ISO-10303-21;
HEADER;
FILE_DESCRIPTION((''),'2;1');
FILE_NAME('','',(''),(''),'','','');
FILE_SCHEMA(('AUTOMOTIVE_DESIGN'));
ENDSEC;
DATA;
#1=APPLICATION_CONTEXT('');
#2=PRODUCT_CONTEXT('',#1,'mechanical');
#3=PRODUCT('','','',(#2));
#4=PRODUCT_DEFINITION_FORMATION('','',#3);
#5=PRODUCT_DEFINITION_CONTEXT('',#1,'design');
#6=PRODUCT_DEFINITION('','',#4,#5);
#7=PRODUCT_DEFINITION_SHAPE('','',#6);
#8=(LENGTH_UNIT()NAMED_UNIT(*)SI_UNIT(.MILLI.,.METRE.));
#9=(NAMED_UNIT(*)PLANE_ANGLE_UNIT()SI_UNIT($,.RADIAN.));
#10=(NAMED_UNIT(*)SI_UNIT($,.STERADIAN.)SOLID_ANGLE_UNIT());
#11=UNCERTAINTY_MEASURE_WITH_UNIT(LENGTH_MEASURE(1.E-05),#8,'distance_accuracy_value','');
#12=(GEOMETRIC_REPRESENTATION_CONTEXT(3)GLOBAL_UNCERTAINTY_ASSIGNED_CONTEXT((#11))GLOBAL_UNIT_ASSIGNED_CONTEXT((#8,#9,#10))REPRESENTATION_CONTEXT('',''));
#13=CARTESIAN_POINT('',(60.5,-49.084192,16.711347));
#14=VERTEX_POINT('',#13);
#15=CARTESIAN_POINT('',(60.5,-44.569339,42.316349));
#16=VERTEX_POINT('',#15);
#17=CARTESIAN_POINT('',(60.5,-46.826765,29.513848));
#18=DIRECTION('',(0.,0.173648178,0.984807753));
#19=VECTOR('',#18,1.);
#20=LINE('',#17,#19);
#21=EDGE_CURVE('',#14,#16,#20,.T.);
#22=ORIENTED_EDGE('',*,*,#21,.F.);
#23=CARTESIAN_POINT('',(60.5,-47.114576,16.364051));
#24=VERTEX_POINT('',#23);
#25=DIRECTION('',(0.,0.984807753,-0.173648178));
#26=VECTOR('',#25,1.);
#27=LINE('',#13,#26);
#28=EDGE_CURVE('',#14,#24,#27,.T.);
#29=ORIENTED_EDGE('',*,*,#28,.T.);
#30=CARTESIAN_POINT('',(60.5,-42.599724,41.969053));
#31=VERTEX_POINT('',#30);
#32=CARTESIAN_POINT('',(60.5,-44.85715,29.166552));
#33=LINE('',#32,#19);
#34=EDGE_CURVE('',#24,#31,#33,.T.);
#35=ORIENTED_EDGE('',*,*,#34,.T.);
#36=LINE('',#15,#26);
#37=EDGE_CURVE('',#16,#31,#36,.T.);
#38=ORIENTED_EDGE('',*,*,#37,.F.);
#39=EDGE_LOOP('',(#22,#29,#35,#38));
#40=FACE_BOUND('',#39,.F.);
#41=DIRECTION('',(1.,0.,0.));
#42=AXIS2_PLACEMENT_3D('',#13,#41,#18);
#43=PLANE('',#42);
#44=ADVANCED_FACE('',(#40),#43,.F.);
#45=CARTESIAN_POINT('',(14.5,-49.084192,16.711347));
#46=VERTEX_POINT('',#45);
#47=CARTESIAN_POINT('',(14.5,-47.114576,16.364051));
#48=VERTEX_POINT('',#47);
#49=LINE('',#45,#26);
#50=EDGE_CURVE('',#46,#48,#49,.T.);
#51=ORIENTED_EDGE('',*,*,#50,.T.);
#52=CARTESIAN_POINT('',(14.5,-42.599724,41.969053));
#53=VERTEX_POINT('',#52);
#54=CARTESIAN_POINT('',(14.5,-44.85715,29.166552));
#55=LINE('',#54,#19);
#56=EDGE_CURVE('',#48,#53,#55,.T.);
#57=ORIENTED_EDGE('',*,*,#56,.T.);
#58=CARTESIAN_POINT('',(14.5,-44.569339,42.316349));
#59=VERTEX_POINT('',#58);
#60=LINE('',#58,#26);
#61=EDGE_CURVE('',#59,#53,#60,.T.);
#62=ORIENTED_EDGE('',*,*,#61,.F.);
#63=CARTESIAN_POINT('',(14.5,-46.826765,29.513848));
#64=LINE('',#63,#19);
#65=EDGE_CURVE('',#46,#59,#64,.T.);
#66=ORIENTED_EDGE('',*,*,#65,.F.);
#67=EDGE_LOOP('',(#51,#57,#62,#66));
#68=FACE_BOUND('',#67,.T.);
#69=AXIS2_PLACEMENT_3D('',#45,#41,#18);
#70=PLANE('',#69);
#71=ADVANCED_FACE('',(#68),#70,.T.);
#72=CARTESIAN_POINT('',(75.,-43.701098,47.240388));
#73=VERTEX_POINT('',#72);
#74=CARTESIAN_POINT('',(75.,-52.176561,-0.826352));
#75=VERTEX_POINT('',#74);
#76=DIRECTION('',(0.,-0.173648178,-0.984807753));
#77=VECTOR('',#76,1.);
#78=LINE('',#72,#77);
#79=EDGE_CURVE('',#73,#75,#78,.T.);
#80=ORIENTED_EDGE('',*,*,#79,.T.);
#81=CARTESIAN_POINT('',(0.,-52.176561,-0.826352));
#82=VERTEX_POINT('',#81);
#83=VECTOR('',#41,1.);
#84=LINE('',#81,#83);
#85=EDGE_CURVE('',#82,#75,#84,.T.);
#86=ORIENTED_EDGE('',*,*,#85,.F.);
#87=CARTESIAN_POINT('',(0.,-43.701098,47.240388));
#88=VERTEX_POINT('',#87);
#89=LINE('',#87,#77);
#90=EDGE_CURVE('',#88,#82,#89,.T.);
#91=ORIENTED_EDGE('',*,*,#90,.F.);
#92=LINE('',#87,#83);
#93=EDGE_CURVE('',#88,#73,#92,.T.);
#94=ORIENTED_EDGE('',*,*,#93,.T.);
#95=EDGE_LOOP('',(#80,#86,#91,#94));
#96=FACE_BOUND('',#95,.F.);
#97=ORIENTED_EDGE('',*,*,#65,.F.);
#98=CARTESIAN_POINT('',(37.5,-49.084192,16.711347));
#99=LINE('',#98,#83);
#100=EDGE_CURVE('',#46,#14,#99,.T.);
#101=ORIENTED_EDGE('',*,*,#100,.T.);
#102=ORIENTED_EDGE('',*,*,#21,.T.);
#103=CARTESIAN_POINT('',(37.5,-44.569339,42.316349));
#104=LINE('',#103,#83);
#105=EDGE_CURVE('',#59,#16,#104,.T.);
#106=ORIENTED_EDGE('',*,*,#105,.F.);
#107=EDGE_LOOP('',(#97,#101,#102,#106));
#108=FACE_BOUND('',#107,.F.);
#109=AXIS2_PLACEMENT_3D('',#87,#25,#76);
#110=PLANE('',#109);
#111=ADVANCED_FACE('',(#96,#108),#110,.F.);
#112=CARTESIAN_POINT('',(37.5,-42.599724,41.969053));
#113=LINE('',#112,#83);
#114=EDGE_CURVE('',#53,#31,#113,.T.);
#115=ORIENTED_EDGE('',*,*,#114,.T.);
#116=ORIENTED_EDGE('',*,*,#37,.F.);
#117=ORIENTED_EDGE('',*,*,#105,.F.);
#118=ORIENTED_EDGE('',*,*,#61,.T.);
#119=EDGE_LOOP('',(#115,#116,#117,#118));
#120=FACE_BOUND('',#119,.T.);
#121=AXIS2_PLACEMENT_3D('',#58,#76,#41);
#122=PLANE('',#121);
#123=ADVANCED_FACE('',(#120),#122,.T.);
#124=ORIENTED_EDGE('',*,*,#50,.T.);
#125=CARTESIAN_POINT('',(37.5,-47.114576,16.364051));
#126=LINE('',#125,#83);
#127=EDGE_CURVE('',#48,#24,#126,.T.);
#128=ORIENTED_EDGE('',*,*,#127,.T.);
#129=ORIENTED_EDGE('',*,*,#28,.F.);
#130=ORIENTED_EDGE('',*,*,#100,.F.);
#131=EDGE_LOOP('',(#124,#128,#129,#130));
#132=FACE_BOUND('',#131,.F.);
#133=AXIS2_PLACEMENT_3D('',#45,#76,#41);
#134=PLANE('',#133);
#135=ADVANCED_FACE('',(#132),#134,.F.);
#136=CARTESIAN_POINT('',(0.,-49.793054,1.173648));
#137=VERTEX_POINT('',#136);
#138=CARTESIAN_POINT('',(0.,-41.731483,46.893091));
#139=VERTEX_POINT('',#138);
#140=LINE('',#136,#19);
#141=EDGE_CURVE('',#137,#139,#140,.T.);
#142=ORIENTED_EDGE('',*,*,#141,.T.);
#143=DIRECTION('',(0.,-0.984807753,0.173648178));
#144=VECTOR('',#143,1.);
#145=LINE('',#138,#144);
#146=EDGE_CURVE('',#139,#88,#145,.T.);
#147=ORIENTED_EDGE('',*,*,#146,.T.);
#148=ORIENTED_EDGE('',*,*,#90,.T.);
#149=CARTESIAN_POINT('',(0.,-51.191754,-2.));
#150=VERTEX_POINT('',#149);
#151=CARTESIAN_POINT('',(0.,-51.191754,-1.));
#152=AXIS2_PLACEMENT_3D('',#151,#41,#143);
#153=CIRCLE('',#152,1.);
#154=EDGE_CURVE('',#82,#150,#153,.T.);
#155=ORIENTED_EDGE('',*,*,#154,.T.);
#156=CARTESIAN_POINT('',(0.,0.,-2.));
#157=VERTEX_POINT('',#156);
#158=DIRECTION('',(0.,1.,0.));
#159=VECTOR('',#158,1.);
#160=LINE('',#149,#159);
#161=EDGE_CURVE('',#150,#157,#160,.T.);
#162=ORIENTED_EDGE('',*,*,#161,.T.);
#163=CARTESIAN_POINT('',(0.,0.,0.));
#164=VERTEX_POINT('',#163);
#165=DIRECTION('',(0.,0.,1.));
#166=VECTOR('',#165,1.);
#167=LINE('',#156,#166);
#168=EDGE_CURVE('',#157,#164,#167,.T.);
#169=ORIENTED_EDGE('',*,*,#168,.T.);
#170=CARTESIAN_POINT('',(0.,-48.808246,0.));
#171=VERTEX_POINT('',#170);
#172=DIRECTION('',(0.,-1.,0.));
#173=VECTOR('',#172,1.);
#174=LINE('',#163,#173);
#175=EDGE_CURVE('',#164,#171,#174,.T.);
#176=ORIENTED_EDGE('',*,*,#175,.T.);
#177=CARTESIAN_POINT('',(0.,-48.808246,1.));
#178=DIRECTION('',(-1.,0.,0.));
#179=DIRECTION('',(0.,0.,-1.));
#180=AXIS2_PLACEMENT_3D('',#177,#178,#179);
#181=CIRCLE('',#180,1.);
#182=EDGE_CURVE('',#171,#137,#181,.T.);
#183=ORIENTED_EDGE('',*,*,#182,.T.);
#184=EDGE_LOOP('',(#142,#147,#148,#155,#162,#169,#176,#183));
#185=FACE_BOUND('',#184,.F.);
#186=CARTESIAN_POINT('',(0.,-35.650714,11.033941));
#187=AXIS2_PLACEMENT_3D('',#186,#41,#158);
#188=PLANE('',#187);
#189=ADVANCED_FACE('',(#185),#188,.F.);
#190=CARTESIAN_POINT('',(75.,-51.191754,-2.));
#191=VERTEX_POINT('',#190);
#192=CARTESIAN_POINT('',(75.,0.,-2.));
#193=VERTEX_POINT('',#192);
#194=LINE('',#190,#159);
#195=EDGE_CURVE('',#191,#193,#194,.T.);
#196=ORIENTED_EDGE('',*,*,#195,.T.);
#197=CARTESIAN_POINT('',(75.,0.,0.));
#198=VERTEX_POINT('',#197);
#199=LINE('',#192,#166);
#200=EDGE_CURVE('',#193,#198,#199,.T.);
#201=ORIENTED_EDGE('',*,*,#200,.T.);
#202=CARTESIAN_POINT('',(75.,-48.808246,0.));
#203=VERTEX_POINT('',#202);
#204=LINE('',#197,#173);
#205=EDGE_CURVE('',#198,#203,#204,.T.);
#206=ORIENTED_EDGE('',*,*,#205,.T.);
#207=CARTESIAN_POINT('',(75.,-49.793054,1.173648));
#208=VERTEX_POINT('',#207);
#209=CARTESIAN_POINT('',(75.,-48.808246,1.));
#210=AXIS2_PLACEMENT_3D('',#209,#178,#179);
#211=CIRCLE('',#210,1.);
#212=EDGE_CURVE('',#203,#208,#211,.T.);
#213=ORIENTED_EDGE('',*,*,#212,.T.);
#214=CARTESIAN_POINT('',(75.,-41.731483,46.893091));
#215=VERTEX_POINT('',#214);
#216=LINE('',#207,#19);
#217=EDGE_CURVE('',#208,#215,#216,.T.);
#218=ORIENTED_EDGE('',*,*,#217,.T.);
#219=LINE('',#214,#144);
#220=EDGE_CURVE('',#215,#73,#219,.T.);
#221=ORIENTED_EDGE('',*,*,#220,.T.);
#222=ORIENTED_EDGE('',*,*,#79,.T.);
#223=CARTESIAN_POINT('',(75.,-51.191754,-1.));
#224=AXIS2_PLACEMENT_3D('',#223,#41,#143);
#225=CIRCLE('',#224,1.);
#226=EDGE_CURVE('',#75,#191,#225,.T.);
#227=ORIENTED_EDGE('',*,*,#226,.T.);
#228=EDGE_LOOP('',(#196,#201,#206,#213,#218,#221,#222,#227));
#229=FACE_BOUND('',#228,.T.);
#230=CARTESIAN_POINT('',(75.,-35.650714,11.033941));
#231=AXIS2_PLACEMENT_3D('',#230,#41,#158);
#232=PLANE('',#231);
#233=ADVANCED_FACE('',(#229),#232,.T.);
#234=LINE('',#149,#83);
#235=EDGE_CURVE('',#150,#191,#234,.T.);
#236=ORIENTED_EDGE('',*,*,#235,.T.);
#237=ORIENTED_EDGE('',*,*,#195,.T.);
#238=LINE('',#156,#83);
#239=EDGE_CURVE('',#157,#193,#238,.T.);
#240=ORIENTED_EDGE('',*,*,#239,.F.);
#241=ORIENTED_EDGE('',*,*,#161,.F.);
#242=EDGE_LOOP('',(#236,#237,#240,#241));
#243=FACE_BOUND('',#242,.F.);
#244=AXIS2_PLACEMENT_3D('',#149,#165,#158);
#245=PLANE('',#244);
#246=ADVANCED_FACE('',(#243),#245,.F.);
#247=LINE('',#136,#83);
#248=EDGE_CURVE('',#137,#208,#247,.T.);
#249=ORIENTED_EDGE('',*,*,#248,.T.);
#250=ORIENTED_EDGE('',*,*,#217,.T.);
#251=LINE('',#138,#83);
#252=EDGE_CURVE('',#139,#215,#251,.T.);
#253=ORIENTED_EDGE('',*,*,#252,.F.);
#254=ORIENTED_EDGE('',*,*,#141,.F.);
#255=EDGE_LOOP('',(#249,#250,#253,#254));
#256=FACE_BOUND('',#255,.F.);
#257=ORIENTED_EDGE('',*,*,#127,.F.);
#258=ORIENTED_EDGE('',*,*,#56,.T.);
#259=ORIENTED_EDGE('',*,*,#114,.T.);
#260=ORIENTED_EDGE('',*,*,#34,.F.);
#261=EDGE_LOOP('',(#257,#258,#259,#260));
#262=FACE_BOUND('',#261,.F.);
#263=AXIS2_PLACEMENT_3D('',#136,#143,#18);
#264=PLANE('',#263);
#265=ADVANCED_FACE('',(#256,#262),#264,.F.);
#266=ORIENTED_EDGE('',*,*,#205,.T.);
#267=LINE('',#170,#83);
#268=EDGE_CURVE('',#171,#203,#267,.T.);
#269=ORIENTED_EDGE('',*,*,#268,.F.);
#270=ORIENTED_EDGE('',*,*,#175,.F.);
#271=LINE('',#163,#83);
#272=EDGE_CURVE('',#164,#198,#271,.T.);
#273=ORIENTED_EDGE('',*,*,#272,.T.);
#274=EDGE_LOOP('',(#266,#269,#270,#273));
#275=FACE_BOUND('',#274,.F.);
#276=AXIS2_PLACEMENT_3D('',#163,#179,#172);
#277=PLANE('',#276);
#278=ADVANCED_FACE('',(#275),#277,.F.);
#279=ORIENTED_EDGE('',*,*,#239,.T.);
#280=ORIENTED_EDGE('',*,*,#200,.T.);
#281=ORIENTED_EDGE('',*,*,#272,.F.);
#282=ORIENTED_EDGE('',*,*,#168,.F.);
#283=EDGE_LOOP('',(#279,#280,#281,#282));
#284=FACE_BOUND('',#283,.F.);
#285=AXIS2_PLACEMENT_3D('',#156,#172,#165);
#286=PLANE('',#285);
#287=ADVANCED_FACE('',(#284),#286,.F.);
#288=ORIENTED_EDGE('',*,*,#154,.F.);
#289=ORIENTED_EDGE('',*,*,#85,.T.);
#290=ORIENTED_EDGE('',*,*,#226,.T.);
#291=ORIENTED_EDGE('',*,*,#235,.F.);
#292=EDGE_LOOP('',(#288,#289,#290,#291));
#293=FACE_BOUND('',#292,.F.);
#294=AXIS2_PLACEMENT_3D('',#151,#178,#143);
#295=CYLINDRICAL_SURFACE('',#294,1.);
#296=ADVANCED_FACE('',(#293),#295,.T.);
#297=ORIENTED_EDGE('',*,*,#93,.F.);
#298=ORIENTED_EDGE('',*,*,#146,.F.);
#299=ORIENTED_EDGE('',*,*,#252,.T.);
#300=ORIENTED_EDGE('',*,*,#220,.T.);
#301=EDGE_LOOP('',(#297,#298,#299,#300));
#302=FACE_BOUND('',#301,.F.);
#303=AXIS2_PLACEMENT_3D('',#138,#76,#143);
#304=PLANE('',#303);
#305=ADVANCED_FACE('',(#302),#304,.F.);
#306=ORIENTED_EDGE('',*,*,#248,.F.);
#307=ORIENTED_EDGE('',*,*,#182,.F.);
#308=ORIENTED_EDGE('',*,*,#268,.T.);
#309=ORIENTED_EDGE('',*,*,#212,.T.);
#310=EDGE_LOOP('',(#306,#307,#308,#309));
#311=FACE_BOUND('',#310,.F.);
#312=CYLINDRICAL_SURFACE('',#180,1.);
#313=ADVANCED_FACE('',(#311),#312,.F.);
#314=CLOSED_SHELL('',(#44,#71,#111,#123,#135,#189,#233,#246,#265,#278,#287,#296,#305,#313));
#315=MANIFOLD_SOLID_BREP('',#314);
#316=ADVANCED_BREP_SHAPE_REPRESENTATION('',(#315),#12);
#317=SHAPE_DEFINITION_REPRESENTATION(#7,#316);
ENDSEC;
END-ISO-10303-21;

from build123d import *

# Parameters (mm, degrees)
F1_DEPTH = 75
F2_W     = 46
F2_H     = 26
F3_DEPTH = 2


with BuildPart() as f1:
    # F0 (on Right) → F1 (new body)
    with BuildSketch(Plane.YZ):
        with BuildLine():
            Line((0, -2), (0, 0))
            Line((0, 0), (-48.8082464074, 0))
            ThreePointArc((-48.8082464074, 0), (-49.5742908505, 0.3572123903), (-49.7930541604, 1.1736481777))
            Line((-49.7930541604, 1.1736481777), (-41.7314827958, 46.8930912953))
            Line((-41.7314827958, 46.8930912953), (-43.7010983018, 47.2403876506))
            Line((-43.7010983018, 47.2403876506), (-52.1765613456, -0.8263518223))
            ThreePointArc((-52.1765613456, -0.8263518223), (-51.9577980357, -1.6427876097), (-51.1917535926, -2))
            Line((-51.1917535926, -2), (0, -2))
        make_face()
    extrude(amount=F1_DEPTH)

    # F2 (on face) → F3 (cut, through all)
    with BuildSketch(Plane(origin=(0, -50.4619310257, 8.8977999385), x_dir=(1, 0, 0), z_dir=(0, -0.984807753, 0.1736481777))):
        with Locations((37.5, 20.9340839315)):
            Rectangle(F2_W, F2_H)
    extrude(amount=-F3_DEPTH, mode=Mode.SUBTRACT)


solid = f1.part
